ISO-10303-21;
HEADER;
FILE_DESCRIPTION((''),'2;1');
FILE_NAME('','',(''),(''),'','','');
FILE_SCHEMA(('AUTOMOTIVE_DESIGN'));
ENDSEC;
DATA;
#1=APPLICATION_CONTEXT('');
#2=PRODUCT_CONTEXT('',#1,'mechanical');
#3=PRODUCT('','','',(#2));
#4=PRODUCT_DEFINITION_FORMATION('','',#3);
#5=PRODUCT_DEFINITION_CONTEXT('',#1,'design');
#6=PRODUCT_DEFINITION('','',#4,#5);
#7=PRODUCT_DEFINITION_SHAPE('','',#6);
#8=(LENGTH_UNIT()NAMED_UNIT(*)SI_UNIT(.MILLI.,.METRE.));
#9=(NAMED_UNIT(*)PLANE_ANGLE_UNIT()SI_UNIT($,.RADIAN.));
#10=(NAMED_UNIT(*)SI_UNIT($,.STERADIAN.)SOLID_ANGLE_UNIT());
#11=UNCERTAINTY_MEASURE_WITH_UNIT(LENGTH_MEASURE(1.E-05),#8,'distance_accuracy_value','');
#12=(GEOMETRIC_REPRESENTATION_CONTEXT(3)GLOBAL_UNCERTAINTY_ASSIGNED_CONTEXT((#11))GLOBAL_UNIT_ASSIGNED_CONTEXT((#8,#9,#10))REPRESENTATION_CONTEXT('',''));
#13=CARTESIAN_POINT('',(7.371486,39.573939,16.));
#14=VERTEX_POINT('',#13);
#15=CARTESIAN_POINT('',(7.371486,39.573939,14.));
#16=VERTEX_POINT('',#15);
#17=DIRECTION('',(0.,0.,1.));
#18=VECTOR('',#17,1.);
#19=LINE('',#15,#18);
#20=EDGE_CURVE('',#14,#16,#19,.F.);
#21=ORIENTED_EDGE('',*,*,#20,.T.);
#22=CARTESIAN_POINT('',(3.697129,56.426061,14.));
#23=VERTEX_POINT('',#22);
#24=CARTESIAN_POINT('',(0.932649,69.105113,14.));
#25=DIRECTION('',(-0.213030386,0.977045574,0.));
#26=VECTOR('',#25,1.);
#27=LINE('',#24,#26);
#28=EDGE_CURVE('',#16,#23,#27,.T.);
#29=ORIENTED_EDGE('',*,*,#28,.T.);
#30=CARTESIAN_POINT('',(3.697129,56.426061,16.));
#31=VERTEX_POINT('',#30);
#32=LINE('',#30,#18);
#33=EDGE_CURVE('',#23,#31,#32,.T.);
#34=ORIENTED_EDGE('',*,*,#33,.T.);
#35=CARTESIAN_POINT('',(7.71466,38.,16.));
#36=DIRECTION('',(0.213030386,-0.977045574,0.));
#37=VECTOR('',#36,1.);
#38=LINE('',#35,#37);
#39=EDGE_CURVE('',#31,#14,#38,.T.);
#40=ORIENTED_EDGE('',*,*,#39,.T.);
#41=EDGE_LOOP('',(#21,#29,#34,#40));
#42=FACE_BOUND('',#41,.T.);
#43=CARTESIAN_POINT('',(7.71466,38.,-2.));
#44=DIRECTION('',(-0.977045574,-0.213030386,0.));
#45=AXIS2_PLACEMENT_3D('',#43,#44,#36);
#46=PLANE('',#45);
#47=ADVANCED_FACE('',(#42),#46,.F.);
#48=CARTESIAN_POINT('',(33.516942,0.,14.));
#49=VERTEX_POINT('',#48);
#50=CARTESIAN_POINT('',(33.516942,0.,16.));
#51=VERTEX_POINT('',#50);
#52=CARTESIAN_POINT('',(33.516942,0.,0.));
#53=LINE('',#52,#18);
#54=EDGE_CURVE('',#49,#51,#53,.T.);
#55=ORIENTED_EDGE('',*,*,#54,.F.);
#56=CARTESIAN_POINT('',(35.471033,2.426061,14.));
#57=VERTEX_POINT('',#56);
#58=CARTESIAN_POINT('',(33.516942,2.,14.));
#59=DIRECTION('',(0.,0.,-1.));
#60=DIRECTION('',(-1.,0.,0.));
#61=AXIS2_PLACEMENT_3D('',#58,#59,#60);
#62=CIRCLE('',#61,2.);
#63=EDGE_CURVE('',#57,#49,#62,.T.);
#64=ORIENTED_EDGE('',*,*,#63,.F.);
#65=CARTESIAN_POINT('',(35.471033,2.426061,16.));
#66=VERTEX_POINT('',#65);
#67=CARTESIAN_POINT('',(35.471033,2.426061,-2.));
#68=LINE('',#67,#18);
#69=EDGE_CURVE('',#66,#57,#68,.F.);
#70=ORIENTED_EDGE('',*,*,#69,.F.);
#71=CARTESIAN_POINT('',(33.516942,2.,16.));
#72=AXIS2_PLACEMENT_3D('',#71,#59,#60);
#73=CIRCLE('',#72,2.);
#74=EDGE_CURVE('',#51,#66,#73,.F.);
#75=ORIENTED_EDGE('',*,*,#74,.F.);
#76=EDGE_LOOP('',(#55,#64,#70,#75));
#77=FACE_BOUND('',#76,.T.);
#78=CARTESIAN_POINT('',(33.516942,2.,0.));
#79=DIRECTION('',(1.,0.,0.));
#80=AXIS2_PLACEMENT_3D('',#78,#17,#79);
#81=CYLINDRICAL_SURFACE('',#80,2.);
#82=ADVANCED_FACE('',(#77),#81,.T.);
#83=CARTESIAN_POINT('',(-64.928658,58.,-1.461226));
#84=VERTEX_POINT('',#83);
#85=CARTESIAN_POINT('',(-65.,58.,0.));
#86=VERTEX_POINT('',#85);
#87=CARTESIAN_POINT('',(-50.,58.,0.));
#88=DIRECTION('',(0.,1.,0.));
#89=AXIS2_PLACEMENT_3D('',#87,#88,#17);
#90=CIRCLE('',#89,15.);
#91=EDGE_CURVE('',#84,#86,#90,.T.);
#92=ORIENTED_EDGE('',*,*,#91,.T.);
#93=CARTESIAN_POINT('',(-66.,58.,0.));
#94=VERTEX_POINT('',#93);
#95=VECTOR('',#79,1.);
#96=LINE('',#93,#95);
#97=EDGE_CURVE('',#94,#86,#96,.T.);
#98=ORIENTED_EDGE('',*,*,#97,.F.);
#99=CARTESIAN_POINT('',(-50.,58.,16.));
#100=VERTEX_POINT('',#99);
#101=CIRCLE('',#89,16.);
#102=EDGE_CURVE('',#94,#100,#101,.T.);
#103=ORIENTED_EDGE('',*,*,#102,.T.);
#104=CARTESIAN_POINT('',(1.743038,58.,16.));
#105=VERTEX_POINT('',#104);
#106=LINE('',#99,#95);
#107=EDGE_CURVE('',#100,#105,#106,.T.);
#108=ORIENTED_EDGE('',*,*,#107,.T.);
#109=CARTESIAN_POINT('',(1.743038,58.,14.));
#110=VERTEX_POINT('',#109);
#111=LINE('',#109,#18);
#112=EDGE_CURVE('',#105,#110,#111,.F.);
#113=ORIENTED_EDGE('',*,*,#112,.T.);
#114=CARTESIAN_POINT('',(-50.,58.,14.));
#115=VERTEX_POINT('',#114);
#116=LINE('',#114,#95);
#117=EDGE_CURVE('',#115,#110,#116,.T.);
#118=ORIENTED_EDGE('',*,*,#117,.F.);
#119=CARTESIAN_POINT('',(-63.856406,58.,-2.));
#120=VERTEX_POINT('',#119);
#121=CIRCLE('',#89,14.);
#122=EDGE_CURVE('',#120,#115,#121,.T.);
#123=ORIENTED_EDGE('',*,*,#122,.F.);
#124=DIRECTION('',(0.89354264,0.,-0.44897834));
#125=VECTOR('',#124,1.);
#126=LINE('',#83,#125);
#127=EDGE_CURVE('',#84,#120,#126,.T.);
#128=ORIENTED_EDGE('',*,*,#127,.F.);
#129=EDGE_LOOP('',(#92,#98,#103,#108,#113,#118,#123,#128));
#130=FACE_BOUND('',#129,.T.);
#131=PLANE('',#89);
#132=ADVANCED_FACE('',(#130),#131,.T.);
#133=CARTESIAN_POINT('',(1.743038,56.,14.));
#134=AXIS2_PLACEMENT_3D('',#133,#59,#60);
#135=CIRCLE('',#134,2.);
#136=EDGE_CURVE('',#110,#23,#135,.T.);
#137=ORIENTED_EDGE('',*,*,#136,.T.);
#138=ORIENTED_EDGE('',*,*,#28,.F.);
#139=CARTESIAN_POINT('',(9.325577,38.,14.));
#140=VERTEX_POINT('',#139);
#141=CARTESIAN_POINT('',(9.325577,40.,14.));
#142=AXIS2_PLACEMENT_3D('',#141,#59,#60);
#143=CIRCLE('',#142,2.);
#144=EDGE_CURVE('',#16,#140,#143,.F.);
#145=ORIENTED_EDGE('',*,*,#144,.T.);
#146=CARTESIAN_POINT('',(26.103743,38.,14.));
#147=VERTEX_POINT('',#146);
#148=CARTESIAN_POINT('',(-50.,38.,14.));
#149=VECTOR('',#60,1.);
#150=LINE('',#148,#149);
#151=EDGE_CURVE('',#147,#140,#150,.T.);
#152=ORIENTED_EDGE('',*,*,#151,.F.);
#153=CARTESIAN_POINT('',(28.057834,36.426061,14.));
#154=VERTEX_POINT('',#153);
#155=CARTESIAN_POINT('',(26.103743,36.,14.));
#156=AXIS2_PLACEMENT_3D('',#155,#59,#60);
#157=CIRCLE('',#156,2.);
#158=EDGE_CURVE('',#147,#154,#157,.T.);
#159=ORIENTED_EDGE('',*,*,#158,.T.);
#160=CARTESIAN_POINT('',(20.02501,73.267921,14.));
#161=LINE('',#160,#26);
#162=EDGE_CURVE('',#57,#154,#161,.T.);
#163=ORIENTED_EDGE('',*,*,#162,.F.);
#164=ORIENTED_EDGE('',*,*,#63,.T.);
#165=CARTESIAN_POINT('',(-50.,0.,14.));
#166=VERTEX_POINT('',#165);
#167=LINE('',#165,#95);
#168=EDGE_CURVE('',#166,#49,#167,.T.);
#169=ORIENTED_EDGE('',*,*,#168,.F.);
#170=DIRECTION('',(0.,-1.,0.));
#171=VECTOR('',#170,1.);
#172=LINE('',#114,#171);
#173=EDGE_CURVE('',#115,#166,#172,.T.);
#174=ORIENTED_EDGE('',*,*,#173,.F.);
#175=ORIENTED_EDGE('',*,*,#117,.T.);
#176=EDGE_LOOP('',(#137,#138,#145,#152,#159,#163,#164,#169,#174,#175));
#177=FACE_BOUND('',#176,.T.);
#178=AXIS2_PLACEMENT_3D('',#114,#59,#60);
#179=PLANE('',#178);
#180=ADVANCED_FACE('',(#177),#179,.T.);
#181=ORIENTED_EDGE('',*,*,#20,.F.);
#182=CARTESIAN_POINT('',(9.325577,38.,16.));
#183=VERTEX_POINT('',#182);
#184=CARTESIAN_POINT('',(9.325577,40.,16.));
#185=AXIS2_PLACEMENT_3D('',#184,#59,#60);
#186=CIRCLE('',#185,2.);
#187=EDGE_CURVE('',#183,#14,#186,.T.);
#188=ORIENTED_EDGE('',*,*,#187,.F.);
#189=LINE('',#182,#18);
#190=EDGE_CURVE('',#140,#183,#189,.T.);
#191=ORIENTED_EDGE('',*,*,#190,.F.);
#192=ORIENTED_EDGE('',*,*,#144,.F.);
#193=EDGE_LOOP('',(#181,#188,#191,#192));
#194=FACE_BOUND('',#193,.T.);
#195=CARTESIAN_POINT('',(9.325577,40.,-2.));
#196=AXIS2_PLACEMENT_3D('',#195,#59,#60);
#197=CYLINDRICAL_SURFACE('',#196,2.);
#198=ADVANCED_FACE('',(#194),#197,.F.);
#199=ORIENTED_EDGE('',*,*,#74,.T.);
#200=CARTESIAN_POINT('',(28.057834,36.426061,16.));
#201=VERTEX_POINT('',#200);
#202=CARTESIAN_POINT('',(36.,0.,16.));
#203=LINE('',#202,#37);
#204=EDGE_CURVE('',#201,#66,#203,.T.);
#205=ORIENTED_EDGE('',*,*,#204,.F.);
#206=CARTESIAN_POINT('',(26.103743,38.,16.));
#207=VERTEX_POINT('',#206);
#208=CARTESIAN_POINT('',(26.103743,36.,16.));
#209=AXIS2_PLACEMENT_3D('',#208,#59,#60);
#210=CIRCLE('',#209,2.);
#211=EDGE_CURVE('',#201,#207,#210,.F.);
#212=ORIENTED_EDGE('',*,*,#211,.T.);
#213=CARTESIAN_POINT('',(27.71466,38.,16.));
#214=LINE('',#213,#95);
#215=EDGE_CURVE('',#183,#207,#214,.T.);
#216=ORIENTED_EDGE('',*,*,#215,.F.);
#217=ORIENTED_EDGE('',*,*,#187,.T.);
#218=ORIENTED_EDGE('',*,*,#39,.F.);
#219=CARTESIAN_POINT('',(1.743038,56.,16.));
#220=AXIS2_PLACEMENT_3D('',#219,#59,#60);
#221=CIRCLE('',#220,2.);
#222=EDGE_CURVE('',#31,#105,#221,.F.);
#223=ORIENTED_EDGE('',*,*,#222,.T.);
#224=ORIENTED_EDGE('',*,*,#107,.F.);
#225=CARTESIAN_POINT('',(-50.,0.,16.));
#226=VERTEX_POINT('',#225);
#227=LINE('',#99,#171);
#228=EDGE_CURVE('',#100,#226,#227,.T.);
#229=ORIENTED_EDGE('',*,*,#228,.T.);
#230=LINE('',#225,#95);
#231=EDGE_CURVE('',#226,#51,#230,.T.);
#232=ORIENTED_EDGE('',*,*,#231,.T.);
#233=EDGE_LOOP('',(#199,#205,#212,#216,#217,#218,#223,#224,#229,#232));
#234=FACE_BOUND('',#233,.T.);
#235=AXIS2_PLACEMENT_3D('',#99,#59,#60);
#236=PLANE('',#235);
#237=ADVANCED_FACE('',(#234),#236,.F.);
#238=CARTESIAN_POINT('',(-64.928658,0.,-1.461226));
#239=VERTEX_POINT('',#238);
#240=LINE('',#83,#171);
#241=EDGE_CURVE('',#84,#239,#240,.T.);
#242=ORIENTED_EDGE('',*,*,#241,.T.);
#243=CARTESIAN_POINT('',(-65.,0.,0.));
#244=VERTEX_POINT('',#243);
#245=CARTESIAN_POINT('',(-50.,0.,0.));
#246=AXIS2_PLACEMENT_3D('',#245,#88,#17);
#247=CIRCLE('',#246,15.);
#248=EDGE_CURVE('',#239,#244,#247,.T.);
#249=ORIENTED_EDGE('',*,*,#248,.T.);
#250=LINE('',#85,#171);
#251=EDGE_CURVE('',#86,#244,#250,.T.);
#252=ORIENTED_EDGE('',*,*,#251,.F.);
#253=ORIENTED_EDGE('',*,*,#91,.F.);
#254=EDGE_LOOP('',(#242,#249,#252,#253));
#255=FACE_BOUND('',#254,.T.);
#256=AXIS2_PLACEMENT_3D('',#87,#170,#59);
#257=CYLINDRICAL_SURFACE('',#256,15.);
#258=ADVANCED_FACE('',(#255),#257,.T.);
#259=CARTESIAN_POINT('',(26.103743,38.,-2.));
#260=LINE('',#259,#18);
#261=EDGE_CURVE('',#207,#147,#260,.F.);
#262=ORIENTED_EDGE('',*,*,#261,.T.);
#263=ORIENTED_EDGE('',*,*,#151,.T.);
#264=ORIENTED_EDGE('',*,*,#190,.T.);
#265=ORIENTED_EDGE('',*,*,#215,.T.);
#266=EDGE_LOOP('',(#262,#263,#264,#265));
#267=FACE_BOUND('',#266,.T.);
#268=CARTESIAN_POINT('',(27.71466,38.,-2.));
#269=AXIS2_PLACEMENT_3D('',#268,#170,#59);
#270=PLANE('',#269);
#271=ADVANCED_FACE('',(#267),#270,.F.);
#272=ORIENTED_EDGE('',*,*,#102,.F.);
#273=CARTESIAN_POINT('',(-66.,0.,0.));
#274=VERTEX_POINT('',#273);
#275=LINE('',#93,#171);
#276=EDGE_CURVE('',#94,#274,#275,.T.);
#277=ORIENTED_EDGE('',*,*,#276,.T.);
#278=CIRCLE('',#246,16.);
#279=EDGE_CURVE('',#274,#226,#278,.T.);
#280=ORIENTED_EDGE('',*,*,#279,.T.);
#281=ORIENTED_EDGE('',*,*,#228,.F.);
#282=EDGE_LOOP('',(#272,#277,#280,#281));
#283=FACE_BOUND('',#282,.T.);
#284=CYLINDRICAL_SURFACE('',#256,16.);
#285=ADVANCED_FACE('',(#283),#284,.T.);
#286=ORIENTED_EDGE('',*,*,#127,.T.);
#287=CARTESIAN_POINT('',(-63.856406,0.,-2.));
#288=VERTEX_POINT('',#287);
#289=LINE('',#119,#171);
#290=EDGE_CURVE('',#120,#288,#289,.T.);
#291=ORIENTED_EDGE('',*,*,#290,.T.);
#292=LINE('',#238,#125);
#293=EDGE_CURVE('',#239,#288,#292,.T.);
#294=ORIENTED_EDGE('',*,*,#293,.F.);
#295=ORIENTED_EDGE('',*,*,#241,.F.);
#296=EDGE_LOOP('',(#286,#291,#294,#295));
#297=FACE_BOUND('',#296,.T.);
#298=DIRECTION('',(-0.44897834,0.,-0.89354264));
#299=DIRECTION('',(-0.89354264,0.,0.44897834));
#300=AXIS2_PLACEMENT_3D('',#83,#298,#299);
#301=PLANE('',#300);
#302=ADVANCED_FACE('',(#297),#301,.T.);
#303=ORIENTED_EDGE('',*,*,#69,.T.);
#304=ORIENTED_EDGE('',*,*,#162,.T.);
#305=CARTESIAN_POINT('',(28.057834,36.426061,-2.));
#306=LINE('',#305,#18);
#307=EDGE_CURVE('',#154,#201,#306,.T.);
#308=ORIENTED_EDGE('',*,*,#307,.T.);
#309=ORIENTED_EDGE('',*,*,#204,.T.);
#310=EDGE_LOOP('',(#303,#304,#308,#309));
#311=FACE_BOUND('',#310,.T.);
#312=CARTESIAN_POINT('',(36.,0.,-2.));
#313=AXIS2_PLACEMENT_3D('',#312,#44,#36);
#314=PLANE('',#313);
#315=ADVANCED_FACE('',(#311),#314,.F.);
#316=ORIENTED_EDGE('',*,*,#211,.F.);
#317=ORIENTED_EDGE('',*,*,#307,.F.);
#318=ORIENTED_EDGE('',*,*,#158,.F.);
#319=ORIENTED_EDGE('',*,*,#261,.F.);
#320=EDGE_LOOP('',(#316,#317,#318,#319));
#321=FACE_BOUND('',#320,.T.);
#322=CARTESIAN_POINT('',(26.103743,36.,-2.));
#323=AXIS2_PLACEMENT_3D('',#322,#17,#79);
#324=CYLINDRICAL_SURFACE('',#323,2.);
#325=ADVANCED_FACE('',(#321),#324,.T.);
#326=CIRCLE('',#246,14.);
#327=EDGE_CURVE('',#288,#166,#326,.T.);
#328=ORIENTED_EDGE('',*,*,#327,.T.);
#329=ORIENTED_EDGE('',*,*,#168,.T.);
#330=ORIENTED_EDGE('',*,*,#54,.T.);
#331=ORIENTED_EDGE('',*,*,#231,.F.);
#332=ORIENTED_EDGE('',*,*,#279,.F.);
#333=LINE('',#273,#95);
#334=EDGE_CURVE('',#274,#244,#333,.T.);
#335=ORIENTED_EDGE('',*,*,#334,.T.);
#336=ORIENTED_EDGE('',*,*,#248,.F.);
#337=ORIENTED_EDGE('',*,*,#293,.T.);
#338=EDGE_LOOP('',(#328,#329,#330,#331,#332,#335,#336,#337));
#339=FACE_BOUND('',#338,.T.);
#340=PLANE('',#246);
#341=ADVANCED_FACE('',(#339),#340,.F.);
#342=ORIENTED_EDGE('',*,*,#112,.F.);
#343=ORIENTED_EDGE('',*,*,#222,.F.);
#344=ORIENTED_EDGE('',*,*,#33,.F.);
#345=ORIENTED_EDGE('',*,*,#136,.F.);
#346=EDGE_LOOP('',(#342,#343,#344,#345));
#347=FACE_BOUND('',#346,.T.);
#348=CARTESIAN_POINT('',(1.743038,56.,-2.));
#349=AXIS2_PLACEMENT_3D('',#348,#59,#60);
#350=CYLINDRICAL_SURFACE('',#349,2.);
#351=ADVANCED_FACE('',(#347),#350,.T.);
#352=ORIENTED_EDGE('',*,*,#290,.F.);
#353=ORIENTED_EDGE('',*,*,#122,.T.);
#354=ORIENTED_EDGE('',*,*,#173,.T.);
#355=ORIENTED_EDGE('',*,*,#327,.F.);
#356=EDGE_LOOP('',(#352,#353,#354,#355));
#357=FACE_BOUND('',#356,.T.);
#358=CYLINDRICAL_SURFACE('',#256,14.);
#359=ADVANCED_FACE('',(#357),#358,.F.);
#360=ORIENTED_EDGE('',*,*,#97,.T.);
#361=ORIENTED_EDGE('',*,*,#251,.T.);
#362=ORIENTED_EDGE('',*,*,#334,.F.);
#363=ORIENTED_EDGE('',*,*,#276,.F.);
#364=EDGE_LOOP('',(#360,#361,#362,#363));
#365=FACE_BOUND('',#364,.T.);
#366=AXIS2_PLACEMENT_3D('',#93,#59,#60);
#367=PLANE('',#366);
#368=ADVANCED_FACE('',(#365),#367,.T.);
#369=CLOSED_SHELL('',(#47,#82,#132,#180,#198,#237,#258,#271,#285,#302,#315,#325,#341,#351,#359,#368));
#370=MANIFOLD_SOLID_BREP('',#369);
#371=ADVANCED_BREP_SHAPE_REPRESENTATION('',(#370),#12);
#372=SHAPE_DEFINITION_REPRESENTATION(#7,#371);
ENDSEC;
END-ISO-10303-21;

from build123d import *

# Parameters (mm, degrees)
BOSS_EXTRUDE1_DEPTH = 58
CUT_EXTRUDE1_DEPTH  = 90.688349299
FILLET1_R           = 2


with BuildPart() as part:
    # Sketch1 → Boss-Extrude1 (new body)
    with BuildSketch(Plane(origin=(0, 0, 0), x_dir=(1, 0, 0), z_dir=(0, 1, 0))):
        with BuildLine():
            Line((-50, -14), (36, -14))
            Line((36, -14), (36, -16))
            Line((36, -16), (-50, -16))
            ThreePointArc((-50, -16), (-61.313708499, -11.313708499), (-66, 0))
            Line((-66, 0), (-65, 0))
            ThreePointArc((-65, 0), (-64.982153791, 0.731483276), (-64.928657629, 1.461225992))
            Line((-64.928657629, 1.461225992), (-63.856406461, 2))
            ThreePointArc((-63.856406461, 2), (-60.583005244, -9.16515139), (-50, -14))
        make_face()
    extrude(amount=BOSS_EXTRUDE1_DEPTH)

    # Sketch2 → Cut-Extrude1 (cut, through all)
    with BuildSketch(Plane.XY.offset(16)):
        Polygon((36, 0), (27.714660104, 38), (7.714660104, 38), (3.353954895, 58), (36, 58), align=None)
    extrude(amount=-CUT_EXTRUDE1_DEPTH, mode=Mode.SUBTRACT)

    # Fillet1
    fillet1_edges = [part.edges().sort_by_distance(p)[0] for p in [
        (3.353954895, 58, 15),
        (27.714660104, 38, 15),
        (7.714660104, 38, 15),
        (36, 0, 15),
    ]]
    fillet(fillet1_edges, radius=FILLET1_R)


solid = part.part
